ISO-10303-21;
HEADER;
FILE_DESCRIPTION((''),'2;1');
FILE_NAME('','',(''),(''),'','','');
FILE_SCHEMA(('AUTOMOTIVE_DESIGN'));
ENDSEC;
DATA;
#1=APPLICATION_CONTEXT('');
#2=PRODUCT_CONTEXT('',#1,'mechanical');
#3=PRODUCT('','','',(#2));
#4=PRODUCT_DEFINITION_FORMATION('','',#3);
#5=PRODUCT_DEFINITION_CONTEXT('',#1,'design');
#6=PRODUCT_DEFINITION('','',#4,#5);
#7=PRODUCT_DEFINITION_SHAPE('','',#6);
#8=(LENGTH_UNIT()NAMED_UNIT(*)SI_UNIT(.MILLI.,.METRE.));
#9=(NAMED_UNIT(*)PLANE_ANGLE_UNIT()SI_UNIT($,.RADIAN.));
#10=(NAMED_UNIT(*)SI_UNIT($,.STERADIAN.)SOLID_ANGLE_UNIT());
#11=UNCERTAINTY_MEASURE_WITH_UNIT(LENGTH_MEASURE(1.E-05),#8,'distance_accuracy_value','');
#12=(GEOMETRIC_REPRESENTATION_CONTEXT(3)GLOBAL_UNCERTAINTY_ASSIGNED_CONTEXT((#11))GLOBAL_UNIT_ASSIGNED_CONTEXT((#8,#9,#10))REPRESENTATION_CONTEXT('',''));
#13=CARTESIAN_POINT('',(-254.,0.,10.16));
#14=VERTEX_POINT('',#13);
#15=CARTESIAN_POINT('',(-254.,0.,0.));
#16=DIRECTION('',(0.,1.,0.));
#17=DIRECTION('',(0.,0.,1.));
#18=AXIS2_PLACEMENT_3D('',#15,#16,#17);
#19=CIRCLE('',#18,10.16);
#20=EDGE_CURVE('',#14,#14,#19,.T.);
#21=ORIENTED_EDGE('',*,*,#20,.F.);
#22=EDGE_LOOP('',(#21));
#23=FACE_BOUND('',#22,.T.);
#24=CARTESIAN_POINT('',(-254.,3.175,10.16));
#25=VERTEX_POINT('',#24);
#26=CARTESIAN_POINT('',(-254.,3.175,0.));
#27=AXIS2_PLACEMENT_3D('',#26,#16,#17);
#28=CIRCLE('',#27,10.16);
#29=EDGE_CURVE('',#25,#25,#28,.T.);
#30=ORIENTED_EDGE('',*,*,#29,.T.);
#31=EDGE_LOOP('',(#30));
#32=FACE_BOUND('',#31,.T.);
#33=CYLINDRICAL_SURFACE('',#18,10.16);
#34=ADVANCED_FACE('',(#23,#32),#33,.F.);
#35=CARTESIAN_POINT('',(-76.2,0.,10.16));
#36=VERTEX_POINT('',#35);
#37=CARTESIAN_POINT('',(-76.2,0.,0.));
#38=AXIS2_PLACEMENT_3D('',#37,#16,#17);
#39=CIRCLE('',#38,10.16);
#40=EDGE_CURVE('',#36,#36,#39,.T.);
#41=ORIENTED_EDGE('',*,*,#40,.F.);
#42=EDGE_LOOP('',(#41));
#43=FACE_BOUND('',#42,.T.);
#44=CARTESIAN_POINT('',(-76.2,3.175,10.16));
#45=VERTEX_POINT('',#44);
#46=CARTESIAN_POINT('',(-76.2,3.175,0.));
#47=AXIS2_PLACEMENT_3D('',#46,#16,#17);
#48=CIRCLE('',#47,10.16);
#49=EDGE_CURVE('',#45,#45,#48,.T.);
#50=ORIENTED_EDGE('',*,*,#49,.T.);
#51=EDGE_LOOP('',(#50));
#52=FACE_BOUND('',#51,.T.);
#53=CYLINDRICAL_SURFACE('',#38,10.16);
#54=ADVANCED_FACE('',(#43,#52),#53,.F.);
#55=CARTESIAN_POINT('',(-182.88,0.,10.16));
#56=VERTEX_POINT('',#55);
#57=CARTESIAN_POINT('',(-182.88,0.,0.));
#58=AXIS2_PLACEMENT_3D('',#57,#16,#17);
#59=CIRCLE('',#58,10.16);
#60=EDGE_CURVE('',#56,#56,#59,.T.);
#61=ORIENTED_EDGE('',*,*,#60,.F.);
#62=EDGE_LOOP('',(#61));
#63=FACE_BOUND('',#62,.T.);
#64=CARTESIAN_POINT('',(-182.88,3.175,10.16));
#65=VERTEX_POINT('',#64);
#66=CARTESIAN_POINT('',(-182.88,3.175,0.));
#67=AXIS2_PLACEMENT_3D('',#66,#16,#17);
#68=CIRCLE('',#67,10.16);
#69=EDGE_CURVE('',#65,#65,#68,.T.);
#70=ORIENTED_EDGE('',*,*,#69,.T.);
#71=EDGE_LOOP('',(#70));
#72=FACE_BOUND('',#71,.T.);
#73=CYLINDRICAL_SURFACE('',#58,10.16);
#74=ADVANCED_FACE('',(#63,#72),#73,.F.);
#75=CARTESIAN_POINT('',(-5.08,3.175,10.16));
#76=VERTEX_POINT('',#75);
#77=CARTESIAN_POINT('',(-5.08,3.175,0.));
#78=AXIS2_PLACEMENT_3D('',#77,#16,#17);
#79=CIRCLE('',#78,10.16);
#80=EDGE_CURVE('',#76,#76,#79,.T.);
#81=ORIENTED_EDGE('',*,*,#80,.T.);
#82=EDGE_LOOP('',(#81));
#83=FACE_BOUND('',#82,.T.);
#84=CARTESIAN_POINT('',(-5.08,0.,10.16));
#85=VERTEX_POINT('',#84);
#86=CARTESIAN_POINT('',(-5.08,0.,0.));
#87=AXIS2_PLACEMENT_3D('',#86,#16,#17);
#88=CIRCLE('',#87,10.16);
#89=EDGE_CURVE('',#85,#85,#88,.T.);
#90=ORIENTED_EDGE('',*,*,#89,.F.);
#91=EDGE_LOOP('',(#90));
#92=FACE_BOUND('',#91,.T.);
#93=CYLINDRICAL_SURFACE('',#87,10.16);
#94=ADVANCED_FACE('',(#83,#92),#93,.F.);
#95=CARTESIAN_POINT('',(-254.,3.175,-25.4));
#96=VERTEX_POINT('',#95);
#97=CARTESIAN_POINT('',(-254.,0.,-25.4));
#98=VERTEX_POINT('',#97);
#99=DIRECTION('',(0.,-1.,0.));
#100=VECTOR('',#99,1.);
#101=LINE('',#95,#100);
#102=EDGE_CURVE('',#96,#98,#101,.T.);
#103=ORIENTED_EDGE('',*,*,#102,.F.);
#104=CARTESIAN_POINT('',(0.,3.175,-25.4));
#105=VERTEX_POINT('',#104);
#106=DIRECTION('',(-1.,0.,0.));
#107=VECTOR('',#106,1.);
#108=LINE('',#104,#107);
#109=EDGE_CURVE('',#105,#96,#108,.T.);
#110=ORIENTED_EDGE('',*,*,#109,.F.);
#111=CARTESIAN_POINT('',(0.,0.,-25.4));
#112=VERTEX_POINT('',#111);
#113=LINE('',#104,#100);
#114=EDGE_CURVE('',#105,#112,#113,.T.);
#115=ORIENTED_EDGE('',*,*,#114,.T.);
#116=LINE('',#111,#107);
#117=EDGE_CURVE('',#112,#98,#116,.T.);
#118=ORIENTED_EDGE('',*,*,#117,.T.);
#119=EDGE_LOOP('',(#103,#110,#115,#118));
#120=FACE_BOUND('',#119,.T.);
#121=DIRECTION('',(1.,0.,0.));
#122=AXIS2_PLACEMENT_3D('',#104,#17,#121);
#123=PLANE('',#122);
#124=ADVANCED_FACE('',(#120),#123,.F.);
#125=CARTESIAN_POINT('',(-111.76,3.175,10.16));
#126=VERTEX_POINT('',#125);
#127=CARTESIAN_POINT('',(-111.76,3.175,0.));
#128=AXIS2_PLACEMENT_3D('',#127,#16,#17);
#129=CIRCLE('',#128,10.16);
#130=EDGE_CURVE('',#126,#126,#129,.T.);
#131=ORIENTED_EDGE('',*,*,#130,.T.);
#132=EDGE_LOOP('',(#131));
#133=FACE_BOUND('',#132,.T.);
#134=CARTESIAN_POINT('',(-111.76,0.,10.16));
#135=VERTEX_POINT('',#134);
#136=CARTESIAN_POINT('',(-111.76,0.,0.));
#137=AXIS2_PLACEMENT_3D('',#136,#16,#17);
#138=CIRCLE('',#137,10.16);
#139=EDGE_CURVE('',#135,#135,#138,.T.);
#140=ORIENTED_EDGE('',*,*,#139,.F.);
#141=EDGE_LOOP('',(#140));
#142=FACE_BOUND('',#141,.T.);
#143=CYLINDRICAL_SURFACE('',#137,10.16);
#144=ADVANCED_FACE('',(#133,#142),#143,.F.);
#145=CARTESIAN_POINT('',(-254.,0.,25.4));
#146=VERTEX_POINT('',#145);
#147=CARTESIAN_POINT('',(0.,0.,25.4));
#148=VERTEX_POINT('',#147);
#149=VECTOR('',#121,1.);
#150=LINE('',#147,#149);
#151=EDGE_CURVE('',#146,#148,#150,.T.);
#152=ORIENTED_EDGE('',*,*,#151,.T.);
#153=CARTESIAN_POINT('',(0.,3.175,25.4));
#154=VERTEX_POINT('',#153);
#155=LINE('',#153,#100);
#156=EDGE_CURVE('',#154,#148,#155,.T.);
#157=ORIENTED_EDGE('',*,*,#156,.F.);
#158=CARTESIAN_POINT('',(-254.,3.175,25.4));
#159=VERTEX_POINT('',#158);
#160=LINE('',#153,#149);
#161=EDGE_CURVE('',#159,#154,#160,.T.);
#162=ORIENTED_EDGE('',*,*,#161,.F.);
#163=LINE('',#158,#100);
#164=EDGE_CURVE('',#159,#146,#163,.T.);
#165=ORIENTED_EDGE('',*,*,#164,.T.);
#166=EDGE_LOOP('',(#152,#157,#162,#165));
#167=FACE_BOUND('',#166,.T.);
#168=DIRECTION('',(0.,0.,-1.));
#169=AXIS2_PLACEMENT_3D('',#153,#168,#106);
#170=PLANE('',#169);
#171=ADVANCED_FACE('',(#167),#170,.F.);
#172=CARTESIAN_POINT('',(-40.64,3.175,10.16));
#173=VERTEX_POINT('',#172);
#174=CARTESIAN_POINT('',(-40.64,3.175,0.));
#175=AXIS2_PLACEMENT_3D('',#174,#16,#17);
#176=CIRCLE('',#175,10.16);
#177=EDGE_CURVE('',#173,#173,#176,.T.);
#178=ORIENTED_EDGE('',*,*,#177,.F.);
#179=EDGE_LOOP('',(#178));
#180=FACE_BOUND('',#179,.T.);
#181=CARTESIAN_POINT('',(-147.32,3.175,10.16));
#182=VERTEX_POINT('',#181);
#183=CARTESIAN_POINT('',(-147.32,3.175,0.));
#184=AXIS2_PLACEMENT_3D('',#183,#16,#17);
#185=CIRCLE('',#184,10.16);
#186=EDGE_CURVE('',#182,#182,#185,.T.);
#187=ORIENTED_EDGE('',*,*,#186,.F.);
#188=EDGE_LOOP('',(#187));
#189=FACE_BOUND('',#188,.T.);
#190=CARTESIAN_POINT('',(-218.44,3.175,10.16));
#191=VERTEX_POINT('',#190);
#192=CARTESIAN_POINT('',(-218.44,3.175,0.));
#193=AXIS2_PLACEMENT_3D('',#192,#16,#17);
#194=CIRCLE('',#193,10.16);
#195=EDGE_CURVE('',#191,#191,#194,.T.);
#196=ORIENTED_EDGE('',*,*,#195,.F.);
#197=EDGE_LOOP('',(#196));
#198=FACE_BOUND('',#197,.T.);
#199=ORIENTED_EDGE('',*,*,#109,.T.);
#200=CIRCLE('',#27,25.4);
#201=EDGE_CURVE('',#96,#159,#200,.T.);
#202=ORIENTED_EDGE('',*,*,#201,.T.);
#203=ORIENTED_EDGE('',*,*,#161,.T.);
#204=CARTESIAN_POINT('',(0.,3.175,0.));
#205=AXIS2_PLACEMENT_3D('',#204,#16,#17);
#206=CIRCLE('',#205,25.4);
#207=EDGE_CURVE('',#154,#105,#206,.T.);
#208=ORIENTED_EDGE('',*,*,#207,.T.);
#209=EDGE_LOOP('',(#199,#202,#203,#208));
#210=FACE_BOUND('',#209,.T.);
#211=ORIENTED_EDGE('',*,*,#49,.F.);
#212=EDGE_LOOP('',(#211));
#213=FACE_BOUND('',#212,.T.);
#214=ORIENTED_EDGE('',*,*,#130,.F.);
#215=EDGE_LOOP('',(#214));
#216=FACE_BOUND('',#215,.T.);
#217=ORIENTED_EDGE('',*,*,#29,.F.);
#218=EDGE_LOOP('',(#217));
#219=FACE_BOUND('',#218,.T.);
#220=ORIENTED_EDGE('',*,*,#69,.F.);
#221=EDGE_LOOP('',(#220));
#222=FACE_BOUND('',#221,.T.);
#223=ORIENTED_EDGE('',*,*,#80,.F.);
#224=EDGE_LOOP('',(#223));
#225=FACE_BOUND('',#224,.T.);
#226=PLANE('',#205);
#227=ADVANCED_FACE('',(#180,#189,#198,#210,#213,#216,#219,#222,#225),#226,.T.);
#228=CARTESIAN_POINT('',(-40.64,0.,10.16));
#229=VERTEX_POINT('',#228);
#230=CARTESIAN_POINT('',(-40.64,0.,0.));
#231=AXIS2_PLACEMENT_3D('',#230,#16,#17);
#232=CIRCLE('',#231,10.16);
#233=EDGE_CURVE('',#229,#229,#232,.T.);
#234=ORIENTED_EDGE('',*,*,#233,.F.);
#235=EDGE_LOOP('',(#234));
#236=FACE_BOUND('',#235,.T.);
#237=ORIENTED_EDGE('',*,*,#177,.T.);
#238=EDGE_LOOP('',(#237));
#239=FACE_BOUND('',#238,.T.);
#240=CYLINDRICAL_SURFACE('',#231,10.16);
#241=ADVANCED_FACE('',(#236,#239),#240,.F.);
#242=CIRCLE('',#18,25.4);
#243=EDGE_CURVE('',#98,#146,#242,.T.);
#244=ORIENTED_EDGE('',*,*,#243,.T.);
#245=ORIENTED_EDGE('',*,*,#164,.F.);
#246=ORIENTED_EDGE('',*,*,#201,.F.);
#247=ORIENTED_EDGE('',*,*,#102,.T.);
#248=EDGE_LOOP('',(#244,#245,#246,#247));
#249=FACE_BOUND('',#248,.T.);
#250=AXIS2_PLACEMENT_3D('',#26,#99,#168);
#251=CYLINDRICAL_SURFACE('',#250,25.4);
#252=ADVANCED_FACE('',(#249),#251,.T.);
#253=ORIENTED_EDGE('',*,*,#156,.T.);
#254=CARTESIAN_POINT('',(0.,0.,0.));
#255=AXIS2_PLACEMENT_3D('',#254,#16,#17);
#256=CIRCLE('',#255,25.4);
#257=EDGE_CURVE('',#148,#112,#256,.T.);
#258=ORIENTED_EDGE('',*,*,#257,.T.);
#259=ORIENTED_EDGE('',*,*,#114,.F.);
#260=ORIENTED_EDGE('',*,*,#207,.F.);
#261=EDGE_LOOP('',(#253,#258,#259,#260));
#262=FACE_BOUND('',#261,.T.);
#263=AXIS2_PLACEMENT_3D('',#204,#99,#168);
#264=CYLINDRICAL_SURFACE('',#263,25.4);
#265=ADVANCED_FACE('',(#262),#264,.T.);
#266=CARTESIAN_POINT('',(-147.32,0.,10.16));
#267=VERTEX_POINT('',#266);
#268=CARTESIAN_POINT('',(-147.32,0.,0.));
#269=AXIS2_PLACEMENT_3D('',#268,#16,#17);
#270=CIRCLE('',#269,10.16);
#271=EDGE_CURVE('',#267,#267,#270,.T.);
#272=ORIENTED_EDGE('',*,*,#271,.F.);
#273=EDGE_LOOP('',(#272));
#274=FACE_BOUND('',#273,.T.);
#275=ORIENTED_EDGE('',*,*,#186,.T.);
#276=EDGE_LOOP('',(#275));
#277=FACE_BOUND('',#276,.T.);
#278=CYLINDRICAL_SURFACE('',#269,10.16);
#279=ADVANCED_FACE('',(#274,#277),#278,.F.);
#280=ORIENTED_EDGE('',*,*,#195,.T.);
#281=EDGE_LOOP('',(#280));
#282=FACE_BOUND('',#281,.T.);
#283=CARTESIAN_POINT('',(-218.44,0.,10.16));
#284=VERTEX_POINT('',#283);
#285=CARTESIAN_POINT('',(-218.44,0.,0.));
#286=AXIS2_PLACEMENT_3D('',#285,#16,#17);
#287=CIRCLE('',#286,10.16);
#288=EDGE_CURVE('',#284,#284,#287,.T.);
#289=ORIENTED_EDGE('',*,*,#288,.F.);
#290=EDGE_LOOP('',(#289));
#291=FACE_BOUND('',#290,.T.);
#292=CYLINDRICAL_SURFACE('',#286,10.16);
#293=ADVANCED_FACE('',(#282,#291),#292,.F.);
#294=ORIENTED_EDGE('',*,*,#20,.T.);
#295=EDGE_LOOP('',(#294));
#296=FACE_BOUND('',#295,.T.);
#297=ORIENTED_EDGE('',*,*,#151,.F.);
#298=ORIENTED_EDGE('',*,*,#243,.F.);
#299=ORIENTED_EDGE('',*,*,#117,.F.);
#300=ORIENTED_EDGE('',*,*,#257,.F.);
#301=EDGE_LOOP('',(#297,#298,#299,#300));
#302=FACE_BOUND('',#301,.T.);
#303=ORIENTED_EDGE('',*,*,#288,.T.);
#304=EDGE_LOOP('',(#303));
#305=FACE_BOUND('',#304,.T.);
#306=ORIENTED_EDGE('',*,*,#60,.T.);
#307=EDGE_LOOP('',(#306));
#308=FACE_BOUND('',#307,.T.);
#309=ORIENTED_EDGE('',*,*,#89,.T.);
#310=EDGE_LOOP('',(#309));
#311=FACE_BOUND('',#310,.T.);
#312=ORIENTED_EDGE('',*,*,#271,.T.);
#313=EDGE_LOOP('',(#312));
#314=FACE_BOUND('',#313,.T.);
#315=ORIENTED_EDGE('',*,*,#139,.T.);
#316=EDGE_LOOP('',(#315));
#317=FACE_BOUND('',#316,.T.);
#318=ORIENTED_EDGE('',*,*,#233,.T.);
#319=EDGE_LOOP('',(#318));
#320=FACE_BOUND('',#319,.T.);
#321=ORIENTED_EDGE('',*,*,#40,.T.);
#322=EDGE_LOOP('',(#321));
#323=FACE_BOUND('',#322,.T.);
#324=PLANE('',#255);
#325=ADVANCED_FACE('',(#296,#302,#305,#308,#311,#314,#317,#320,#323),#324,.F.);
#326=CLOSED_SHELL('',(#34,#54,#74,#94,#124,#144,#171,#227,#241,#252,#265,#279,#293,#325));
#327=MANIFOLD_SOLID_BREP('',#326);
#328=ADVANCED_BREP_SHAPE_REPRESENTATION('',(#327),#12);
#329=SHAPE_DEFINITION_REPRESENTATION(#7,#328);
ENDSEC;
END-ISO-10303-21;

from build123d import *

# Parameters (mm, degrees)
BOSS_EXTRUDE1_DEPTH = 3.175
SKETCH3_R           = 10.16
CUT_EXTRUDE1_DEPTH  = 281.570134948
LPATTERN1_COUNT     = 8
LPATTERN1_PITCH     = 35.56


with BuildPart() as part:
    # Sketch1 → Boss-Extrude1 (new body)
    with BuildSketch(Plane(origin=(0, 0, 0), x_dir=(1, 0, 0), z_dir=(0, 1, 0))):
        with BuildLine():
            Line((0, 25.4), (-254, 25.4))
            ThreePointArc((-254, 25.4), (-279.4, 0), (-254, -25.4))
            Line((-254, -25.4), (0, -25.4))
            ThreePointArc((0, -25.4), (25.4, 0), (0, 25.4))
        make_face()
    extrude(amount=BOSS_EXTRUDE1_DEPTH)

    # Sketch3 → Cut-Extrude1 (cut, through all)
    with BuildSketch(Plane(origin=(0, 3.175, 0), x_dir=(1, 0, 0), z_dir=(0, 1, 0))):
        with Locations(Location((-254, 0, 0), (0, 0, 270))):
            Circle(SKETCH3_R)
    cut_extrude1 = extrude(amount=-CUT_EXTRUDE1_DEPTH, mode=Mode.SUBTRACT)

    # LPattern1: Cut-Extrude1 ×8
    with Locations(*[(i * LPATTERN1_PITCH, 0, 0) for i in range(1, LPATTERN1_COUNT)]):
        add(cut_extrude1, mode=Mode.SUBTRACT)


solid = part.part
